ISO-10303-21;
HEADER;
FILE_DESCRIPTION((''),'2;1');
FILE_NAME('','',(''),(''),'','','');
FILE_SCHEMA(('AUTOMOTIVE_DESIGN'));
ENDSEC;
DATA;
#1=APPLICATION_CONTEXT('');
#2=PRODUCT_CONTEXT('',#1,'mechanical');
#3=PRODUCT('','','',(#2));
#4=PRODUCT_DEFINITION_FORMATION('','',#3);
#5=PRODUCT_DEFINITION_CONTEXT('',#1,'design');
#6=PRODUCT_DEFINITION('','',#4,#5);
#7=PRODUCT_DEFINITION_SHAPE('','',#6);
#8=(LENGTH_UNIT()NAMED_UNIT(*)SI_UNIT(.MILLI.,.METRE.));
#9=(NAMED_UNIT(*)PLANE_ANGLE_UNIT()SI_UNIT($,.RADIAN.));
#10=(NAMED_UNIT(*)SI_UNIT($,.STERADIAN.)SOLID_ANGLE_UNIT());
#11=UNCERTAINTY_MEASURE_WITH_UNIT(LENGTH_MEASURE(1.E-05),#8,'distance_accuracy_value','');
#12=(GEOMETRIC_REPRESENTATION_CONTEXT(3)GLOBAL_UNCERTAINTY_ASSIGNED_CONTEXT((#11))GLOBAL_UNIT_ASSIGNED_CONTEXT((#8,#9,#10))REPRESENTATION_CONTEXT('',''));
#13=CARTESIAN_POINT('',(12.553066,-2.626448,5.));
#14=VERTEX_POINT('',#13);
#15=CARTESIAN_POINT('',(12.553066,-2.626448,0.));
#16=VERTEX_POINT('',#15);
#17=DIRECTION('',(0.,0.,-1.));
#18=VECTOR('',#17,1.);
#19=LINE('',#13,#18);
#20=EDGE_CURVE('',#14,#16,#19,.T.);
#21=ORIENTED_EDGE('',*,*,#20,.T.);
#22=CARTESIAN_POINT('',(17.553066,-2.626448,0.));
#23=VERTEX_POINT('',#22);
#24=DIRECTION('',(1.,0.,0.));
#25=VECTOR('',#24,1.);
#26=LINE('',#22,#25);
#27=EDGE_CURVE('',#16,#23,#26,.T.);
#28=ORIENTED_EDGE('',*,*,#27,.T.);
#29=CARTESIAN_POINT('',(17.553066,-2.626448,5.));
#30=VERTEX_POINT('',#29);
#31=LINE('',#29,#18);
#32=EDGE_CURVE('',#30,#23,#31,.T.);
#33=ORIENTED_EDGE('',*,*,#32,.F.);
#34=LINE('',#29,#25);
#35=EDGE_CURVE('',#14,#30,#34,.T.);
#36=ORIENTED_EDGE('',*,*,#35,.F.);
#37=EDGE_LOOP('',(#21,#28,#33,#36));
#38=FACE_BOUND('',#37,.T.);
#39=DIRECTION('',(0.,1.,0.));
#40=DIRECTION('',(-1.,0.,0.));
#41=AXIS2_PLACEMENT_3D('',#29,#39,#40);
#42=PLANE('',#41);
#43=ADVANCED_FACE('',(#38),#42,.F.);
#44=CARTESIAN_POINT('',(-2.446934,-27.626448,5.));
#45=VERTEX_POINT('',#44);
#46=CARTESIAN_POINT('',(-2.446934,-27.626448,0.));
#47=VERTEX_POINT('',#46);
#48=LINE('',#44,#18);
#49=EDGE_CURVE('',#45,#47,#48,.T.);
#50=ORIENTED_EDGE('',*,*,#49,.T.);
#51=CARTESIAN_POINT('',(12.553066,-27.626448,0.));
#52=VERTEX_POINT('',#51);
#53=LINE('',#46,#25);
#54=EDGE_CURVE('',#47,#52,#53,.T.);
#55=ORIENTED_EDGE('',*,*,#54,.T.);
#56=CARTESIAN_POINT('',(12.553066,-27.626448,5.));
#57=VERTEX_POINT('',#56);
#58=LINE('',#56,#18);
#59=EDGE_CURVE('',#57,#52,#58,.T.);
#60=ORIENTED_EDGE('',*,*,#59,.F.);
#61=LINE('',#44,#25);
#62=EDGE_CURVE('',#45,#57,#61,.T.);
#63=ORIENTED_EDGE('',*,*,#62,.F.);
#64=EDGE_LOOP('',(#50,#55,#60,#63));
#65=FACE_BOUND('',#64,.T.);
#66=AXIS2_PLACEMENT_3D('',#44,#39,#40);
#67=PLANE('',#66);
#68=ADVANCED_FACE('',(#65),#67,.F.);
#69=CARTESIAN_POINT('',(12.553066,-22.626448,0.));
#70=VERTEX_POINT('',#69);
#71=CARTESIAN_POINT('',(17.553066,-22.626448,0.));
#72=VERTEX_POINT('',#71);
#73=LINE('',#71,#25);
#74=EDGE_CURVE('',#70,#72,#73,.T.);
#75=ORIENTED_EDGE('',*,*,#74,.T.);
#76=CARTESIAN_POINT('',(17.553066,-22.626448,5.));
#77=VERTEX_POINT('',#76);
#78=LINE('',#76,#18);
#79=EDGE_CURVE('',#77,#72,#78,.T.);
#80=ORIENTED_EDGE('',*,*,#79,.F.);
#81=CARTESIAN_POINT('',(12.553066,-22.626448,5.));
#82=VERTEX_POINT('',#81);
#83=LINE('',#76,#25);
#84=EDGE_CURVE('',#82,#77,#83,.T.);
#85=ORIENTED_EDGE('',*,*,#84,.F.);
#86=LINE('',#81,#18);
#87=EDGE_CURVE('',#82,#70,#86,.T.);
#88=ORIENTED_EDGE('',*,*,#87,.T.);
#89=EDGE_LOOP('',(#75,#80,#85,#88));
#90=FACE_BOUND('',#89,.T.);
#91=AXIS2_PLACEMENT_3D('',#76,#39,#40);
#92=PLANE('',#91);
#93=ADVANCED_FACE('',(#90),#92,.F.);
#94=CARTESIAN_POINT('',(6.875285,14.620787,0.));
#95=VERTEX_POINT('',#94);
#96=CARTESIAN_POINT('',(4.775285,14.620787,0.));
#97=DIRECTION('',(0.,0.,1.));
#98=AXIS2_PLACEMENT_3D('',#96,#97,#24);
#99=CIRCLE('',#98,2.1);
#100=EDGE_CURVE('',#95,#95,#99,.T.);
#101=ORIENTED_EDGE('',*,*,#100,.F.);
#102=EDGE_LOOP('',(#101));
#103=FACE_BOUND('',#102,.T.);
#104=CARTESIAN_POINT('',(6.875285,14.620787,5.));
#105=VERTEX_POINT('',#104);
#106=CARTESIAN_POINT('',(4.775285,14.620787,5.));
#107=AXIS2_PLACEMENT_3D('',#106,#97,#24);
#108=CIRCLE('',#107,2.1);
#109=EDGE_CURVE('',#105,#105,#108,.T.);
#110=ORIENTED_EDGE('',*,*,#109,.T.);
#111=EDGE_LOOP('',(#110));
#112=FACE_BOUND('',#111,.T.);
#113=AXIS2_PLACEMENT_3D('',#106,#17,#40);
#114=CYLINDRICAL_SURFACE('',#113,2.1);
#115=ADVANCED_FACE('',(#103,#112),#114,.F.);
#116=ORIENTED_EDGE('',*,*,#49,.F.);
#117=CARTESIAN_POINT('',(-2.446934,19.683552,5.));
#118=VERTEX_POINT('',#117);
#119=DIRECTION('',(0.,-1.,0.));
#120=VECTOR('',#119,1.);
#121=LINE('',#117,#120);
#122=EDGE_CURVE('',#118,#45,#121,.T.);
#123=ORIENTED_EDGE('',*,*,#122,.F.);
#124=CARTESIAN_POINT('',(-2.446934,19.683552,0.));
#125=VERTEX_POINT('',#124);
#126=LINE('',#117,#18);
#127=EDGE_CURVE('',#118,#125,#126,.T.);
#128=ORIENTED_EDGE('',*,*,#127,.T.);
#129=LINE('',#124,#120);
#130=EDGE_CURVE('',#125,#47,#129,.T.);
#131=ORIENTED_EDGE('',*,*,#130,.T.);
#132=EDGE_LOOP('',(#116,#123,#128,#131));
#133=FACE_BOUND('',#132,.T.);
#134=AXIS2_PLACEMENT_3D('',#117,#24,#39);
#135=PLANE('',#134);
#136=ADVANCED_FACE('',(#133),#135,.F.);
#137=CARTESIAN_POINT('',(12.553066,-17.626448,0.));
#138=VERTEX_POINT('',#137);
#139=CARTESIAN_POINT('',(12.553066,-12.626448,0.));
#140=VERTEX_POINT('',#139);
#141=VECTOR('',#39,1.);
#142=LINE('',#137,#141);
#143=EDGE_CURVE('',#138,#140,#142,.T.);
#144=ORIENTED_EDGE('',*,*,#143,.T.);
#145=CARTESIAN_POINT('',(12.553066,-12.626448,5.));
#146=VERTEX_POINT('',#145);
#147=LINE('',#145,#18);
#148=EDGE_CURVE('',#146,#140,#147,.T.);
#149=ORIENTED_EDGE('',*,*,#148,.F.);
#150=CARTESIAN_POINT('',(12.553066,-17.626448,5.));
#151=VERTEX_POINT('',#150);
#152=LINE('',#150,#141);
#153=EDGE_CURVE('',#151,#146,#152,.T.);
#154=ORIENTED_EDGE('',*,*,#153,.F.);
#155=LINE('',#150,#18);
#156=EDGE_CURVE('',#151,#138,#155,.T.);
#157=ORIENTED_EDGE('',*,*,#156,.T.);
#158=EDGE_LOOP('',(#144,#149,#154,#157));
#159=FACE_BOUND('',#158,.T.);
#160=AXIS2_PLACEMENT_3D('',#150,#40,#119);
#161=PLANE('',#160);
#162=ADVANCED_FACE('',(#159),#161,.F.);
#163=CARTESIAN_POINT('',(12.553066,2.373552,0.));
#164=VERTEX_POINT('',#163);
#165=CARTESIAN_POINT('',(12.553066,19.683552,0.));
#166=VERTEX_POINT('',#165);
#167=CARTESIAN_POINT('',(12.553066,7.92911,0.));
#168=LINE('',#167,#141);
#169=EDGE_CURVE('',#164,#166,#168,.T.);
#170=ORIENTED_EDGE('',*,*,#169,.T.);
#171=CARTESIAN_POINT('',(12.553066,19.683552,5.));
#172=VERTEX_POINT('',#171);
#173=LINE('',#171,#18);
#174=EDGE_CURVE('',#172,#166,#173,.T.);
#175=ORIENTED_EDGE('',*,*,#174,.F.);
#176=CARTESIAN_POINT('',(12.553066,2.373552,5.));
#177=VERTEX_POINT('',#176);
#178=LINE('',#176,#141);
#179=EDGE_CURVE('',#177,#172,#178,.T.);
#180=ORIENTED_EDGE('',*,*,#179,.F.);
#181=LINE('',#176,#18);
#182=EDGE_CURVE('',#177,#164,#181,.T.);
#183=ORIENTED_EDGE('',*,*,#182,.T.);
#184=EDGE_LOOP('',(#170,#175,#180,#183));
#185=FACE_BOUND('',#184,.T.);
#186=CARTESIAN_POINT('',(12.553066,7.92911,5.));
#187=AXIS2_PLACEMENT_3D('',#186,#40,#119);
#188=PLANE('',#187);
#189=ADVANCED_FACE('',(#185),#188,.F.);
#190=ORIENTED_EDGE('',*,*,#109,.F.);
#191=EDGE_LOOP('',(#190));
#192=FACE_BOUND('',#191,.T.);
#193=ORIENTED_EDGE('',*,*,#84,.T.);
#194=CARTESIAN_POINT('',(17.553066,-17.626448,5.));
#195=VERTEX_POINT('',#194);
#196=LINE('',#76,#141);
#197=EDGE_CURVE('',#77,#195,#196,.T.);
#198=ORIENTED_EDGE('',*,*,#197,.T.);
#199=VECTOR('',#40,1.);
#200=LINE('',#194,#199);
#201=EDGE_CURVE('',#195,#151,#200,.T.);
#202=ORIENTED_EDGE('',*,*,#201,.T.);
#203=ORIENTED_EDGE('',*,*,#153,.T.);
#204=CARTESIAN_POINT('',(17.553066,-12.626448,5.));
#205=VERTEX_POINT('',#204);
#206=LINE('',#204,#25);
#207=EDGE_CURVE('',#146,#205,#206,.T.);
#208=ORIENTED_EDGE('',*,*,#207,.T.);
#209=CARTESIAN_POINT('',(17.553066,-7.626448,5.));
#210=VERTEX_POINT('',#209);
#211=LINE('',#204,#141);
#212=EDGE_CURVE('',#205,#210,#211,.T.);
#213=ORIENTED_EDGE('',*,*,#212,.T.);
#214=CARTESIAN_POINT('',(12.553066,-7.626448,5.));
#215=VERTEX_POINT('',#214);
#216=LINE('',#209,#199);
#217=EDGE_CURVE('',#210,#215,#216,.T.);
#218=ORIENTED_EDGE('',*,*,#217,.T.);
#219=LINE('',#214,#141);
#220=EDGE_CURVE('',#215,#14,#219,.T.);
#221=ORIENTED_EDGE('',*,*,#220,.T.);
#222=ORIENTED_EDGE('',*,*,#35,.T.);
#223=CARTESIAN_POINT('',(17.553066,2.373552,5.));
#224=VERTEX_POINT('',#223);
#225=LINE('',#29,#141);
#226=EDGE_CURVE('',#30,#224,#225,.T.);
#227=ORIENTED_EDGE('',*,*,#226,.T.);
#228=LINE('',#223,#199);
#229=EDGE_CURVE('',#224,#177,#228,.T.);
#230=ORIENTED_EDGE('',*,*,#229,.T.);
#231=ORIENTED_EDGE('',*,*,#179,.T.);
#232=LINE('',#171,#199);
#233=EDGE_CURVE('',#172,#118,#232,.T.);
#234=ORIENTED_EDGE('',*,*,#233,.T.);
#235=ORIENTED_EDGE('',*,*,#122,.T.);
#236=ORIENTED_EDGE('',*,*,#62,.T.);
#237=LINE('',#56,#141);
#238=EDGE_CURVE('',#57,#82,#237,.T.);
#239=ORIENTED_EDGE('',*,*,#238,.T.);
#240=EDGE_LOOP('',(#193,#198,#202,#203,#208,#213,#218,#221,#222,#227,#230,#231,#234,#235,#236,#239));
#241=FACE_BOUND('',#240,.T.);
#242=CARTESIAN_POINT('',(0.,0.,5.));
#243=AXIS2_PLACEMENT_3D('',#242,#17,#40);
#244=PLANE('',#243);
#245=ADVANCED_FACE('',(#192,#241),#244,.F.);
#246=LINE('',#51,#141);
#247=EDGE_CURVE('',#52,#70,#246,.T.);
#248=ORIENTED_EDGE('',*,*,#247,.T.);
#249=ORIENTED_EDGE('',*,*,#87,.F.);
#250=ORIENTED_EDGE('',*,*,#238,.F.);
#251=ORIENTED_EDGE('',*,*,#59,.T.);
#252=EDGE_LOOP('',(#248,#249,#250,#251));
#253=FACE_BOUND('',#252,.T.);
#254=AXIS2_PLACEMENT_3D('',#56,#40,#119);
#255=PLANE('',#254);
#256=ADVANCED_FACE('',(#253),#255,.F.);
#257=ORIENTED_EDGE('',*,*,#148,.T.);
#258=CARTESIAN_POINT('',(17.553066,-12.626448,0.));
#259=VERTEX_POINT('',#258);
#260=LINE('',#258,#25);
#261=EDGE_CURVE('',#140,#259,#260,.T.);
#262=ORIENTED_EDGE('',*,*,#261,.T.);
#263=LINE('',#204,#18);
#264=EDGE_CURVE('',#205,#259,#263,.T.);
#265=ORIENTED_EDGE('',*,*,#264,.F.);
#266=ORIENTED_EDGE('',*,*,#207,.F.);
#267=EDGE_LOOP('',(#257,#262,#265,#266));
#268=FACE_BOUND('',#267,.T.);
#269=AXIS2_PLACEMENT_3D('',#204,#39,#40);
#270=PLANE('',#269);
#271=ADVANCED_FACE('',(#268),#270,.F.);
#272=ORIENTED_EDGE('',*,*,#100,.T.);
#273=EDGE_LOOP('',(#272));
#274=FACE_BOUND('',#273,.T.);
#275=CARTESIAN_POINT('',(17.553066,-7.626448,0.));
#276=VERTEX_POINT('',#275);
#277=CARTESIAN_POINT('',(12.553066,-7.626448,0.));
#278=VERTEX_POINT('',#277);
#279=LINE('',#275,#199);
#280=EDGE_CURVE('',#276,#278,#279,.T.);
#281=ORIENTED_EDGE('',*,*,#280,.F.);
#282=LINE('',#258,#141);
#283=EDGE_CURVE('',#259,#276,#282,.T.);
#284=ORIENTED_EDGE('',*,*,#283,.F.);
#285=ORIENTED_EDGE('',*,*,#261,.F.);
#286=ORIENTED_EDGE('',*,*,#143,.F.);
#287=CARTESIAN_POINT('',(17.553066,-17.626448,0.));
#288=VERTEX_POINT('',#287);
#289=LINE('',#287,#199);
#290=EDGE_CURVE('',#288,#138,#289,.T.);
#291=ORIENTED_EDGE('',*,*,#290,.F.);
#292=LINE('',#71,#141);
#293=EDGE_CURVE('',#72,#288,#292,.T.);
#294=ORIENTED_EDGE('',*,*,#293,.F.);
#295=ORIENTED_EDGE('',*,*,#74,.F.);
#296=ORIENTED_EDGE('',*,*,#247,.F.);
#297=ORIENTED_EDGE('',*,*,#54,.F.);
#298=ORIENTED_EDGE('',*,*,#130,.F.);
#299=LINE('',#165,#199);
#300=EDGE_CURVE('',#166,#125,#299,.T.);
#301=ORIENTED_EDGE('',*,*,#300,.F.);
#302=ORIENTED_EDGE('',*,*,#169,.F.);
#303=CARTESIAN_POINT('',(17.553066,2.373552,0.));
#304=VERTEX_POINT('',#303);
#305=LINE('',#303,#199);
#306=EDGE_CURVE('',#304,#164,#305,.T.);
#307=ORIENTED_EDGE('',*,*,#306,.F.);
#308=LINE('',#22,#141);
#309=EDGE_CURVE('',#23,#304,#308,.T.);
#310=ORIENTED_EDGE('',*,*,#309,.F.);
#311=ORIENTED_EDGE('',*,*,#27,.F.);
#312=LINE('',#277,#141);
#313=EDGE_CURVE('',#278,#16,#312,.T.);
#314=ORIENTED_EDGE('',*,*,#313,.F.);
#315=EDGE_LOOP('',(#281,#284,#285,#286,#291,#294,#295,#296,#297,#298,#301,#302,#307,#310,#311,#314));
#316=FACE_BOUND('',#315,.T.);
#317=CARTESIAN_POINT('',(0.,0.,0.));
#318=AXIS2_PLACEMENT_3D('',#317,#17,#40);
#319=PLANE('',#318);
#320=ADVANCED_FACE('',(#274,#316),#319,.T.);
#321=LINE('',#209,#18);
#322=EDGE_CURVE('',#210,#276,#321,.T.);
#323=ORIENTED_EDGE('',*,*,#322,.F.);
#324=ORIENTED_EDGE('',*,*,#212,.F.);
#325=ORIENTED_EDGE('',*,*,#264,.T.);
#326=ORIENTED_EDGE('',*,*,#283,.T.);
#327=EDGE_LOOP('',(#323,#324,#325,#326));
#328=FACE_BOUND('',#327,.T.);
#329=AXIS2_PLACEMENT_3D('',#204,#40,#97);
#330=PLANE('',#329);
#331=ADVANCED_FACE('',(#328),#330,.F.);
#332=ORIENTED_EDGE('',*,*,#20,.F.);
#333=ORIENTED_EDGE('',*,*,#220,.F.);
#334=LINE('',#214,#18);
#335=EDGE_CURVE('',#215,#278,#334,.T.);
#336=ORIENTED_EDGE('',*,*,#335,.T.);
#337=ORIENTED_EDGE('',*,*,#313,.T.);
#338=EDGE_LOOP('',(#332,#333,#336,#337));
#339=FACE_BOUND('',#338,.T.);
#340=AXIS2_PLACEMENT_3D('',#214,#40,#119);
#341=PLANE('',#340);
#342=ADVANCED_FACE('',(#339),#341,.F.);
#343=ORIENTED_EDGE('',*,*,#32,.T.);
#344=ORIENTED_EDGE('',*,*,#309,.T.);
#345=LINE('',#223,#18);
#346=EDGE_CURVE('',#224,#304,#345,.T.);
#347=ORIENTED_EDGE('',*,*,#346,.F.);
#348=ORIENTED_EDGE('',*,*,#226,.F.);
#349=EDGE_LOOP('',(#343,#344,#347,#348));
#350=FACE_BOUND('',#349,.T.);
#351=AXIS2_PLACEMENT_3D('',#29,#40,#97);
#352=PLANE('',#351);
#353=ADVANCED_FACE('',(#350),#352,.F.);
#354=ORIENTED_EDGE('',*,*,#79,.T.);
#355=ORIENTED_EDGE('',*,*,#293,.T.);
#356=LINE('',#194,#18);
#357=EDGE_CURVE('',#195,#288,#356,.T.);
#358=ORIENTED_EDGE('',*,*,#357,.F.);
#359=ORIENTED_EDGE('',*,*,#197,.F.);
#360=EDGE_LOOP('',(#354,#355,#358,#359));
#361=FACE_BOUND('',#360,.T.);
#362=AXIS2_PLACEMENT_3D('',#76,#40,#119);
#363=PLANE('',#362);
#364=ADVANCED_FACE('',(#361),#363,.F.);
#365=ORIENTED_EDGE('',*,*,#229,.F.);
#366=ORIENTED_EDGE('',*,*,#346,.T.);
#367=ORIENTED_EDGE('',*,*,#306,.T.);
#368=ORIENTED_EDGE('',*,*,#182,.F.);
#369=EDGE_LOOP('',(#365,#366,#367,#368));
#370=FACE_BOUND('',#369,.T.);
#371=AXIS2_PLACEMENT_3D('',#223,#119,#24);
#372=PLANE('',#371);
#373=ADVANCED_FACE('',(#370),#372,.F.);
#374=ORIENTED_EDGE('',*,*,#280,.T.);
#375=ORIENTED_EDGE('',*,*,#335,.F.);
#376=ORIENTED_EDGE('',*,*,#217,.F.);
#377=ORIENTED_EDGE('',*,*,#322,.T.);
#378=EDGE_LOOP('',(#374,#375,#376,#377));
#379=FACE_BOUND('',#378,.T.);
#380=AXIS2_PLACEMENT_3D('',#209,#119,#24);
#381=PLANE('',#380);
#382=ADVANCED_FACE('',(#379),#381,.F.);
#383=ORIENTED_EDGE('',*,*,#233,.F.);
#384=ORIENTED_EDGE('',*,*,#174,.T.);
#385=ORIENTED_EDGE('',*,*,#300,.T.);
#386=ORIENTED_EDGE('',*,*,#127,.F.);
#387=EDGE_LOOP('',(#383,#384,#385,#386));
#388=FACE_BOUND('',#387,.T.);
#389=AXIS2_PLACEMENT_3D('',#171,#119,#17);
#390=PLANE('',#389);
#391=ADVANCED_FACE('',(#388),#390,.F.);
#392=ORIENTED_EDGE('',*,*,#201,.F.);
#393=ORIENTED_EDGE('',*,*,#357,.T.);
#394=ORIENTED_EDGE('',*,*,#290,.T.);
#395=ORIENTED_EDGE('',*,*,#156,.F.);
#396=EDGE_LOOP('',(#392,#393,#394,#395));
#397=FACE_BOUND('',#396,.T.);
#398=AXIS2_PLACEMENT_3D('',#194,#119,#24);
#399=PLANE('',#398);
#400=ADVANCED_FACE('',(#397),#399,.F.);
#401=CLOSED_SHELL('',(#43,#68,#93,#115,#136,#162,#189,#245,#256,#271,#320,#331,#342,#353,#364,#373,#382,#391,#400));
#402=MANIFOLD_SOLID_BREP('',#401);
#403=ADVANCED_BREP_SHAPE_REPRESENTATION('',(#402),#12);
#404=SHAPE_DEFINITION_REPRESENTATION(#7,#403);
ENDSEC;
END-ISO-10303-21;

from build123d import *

# Parameters (mm, degrees)
ESQUISSE1_R        = 2.1
BOSS_EXTRU_1_DEPTH = 5


with BuildPart() as part:
    # Esquisse1 → Boss.-Extru.1 (new body)
    with BuildSketch(Plane.XY):
        Polygon((12.553066357, 2.373552168), (12.553066357, 7.929110193), (12.553066357, 19.683552168), (-2.446933643, 19.683552168), (-2.446933643, -27.626447832), (12.553066357, -27.626447832), (12.553066357, -22.626447832), (17.553066357, -22.626447832), (17.553066357, -17.626447832), (12.553066357, -17.626447832), (12.553066357, -12.626447832), (17.553066357, -12.626447832), (17.553066357, -7.626447832), (12.553066357, -7.626447832), (12.553066357, -2.626447832), (17.553066357, -2.626447832), (17.553066357, 2.373552168), align=None)
        with Locations((4.775285122, 14.620787167)):
            Circle(ESQUISSE1_R, mode=Mode.SUBTRACT)
    extrude(amount=BOSS_EXTRU_1_DEPTH)


solid = part.part
